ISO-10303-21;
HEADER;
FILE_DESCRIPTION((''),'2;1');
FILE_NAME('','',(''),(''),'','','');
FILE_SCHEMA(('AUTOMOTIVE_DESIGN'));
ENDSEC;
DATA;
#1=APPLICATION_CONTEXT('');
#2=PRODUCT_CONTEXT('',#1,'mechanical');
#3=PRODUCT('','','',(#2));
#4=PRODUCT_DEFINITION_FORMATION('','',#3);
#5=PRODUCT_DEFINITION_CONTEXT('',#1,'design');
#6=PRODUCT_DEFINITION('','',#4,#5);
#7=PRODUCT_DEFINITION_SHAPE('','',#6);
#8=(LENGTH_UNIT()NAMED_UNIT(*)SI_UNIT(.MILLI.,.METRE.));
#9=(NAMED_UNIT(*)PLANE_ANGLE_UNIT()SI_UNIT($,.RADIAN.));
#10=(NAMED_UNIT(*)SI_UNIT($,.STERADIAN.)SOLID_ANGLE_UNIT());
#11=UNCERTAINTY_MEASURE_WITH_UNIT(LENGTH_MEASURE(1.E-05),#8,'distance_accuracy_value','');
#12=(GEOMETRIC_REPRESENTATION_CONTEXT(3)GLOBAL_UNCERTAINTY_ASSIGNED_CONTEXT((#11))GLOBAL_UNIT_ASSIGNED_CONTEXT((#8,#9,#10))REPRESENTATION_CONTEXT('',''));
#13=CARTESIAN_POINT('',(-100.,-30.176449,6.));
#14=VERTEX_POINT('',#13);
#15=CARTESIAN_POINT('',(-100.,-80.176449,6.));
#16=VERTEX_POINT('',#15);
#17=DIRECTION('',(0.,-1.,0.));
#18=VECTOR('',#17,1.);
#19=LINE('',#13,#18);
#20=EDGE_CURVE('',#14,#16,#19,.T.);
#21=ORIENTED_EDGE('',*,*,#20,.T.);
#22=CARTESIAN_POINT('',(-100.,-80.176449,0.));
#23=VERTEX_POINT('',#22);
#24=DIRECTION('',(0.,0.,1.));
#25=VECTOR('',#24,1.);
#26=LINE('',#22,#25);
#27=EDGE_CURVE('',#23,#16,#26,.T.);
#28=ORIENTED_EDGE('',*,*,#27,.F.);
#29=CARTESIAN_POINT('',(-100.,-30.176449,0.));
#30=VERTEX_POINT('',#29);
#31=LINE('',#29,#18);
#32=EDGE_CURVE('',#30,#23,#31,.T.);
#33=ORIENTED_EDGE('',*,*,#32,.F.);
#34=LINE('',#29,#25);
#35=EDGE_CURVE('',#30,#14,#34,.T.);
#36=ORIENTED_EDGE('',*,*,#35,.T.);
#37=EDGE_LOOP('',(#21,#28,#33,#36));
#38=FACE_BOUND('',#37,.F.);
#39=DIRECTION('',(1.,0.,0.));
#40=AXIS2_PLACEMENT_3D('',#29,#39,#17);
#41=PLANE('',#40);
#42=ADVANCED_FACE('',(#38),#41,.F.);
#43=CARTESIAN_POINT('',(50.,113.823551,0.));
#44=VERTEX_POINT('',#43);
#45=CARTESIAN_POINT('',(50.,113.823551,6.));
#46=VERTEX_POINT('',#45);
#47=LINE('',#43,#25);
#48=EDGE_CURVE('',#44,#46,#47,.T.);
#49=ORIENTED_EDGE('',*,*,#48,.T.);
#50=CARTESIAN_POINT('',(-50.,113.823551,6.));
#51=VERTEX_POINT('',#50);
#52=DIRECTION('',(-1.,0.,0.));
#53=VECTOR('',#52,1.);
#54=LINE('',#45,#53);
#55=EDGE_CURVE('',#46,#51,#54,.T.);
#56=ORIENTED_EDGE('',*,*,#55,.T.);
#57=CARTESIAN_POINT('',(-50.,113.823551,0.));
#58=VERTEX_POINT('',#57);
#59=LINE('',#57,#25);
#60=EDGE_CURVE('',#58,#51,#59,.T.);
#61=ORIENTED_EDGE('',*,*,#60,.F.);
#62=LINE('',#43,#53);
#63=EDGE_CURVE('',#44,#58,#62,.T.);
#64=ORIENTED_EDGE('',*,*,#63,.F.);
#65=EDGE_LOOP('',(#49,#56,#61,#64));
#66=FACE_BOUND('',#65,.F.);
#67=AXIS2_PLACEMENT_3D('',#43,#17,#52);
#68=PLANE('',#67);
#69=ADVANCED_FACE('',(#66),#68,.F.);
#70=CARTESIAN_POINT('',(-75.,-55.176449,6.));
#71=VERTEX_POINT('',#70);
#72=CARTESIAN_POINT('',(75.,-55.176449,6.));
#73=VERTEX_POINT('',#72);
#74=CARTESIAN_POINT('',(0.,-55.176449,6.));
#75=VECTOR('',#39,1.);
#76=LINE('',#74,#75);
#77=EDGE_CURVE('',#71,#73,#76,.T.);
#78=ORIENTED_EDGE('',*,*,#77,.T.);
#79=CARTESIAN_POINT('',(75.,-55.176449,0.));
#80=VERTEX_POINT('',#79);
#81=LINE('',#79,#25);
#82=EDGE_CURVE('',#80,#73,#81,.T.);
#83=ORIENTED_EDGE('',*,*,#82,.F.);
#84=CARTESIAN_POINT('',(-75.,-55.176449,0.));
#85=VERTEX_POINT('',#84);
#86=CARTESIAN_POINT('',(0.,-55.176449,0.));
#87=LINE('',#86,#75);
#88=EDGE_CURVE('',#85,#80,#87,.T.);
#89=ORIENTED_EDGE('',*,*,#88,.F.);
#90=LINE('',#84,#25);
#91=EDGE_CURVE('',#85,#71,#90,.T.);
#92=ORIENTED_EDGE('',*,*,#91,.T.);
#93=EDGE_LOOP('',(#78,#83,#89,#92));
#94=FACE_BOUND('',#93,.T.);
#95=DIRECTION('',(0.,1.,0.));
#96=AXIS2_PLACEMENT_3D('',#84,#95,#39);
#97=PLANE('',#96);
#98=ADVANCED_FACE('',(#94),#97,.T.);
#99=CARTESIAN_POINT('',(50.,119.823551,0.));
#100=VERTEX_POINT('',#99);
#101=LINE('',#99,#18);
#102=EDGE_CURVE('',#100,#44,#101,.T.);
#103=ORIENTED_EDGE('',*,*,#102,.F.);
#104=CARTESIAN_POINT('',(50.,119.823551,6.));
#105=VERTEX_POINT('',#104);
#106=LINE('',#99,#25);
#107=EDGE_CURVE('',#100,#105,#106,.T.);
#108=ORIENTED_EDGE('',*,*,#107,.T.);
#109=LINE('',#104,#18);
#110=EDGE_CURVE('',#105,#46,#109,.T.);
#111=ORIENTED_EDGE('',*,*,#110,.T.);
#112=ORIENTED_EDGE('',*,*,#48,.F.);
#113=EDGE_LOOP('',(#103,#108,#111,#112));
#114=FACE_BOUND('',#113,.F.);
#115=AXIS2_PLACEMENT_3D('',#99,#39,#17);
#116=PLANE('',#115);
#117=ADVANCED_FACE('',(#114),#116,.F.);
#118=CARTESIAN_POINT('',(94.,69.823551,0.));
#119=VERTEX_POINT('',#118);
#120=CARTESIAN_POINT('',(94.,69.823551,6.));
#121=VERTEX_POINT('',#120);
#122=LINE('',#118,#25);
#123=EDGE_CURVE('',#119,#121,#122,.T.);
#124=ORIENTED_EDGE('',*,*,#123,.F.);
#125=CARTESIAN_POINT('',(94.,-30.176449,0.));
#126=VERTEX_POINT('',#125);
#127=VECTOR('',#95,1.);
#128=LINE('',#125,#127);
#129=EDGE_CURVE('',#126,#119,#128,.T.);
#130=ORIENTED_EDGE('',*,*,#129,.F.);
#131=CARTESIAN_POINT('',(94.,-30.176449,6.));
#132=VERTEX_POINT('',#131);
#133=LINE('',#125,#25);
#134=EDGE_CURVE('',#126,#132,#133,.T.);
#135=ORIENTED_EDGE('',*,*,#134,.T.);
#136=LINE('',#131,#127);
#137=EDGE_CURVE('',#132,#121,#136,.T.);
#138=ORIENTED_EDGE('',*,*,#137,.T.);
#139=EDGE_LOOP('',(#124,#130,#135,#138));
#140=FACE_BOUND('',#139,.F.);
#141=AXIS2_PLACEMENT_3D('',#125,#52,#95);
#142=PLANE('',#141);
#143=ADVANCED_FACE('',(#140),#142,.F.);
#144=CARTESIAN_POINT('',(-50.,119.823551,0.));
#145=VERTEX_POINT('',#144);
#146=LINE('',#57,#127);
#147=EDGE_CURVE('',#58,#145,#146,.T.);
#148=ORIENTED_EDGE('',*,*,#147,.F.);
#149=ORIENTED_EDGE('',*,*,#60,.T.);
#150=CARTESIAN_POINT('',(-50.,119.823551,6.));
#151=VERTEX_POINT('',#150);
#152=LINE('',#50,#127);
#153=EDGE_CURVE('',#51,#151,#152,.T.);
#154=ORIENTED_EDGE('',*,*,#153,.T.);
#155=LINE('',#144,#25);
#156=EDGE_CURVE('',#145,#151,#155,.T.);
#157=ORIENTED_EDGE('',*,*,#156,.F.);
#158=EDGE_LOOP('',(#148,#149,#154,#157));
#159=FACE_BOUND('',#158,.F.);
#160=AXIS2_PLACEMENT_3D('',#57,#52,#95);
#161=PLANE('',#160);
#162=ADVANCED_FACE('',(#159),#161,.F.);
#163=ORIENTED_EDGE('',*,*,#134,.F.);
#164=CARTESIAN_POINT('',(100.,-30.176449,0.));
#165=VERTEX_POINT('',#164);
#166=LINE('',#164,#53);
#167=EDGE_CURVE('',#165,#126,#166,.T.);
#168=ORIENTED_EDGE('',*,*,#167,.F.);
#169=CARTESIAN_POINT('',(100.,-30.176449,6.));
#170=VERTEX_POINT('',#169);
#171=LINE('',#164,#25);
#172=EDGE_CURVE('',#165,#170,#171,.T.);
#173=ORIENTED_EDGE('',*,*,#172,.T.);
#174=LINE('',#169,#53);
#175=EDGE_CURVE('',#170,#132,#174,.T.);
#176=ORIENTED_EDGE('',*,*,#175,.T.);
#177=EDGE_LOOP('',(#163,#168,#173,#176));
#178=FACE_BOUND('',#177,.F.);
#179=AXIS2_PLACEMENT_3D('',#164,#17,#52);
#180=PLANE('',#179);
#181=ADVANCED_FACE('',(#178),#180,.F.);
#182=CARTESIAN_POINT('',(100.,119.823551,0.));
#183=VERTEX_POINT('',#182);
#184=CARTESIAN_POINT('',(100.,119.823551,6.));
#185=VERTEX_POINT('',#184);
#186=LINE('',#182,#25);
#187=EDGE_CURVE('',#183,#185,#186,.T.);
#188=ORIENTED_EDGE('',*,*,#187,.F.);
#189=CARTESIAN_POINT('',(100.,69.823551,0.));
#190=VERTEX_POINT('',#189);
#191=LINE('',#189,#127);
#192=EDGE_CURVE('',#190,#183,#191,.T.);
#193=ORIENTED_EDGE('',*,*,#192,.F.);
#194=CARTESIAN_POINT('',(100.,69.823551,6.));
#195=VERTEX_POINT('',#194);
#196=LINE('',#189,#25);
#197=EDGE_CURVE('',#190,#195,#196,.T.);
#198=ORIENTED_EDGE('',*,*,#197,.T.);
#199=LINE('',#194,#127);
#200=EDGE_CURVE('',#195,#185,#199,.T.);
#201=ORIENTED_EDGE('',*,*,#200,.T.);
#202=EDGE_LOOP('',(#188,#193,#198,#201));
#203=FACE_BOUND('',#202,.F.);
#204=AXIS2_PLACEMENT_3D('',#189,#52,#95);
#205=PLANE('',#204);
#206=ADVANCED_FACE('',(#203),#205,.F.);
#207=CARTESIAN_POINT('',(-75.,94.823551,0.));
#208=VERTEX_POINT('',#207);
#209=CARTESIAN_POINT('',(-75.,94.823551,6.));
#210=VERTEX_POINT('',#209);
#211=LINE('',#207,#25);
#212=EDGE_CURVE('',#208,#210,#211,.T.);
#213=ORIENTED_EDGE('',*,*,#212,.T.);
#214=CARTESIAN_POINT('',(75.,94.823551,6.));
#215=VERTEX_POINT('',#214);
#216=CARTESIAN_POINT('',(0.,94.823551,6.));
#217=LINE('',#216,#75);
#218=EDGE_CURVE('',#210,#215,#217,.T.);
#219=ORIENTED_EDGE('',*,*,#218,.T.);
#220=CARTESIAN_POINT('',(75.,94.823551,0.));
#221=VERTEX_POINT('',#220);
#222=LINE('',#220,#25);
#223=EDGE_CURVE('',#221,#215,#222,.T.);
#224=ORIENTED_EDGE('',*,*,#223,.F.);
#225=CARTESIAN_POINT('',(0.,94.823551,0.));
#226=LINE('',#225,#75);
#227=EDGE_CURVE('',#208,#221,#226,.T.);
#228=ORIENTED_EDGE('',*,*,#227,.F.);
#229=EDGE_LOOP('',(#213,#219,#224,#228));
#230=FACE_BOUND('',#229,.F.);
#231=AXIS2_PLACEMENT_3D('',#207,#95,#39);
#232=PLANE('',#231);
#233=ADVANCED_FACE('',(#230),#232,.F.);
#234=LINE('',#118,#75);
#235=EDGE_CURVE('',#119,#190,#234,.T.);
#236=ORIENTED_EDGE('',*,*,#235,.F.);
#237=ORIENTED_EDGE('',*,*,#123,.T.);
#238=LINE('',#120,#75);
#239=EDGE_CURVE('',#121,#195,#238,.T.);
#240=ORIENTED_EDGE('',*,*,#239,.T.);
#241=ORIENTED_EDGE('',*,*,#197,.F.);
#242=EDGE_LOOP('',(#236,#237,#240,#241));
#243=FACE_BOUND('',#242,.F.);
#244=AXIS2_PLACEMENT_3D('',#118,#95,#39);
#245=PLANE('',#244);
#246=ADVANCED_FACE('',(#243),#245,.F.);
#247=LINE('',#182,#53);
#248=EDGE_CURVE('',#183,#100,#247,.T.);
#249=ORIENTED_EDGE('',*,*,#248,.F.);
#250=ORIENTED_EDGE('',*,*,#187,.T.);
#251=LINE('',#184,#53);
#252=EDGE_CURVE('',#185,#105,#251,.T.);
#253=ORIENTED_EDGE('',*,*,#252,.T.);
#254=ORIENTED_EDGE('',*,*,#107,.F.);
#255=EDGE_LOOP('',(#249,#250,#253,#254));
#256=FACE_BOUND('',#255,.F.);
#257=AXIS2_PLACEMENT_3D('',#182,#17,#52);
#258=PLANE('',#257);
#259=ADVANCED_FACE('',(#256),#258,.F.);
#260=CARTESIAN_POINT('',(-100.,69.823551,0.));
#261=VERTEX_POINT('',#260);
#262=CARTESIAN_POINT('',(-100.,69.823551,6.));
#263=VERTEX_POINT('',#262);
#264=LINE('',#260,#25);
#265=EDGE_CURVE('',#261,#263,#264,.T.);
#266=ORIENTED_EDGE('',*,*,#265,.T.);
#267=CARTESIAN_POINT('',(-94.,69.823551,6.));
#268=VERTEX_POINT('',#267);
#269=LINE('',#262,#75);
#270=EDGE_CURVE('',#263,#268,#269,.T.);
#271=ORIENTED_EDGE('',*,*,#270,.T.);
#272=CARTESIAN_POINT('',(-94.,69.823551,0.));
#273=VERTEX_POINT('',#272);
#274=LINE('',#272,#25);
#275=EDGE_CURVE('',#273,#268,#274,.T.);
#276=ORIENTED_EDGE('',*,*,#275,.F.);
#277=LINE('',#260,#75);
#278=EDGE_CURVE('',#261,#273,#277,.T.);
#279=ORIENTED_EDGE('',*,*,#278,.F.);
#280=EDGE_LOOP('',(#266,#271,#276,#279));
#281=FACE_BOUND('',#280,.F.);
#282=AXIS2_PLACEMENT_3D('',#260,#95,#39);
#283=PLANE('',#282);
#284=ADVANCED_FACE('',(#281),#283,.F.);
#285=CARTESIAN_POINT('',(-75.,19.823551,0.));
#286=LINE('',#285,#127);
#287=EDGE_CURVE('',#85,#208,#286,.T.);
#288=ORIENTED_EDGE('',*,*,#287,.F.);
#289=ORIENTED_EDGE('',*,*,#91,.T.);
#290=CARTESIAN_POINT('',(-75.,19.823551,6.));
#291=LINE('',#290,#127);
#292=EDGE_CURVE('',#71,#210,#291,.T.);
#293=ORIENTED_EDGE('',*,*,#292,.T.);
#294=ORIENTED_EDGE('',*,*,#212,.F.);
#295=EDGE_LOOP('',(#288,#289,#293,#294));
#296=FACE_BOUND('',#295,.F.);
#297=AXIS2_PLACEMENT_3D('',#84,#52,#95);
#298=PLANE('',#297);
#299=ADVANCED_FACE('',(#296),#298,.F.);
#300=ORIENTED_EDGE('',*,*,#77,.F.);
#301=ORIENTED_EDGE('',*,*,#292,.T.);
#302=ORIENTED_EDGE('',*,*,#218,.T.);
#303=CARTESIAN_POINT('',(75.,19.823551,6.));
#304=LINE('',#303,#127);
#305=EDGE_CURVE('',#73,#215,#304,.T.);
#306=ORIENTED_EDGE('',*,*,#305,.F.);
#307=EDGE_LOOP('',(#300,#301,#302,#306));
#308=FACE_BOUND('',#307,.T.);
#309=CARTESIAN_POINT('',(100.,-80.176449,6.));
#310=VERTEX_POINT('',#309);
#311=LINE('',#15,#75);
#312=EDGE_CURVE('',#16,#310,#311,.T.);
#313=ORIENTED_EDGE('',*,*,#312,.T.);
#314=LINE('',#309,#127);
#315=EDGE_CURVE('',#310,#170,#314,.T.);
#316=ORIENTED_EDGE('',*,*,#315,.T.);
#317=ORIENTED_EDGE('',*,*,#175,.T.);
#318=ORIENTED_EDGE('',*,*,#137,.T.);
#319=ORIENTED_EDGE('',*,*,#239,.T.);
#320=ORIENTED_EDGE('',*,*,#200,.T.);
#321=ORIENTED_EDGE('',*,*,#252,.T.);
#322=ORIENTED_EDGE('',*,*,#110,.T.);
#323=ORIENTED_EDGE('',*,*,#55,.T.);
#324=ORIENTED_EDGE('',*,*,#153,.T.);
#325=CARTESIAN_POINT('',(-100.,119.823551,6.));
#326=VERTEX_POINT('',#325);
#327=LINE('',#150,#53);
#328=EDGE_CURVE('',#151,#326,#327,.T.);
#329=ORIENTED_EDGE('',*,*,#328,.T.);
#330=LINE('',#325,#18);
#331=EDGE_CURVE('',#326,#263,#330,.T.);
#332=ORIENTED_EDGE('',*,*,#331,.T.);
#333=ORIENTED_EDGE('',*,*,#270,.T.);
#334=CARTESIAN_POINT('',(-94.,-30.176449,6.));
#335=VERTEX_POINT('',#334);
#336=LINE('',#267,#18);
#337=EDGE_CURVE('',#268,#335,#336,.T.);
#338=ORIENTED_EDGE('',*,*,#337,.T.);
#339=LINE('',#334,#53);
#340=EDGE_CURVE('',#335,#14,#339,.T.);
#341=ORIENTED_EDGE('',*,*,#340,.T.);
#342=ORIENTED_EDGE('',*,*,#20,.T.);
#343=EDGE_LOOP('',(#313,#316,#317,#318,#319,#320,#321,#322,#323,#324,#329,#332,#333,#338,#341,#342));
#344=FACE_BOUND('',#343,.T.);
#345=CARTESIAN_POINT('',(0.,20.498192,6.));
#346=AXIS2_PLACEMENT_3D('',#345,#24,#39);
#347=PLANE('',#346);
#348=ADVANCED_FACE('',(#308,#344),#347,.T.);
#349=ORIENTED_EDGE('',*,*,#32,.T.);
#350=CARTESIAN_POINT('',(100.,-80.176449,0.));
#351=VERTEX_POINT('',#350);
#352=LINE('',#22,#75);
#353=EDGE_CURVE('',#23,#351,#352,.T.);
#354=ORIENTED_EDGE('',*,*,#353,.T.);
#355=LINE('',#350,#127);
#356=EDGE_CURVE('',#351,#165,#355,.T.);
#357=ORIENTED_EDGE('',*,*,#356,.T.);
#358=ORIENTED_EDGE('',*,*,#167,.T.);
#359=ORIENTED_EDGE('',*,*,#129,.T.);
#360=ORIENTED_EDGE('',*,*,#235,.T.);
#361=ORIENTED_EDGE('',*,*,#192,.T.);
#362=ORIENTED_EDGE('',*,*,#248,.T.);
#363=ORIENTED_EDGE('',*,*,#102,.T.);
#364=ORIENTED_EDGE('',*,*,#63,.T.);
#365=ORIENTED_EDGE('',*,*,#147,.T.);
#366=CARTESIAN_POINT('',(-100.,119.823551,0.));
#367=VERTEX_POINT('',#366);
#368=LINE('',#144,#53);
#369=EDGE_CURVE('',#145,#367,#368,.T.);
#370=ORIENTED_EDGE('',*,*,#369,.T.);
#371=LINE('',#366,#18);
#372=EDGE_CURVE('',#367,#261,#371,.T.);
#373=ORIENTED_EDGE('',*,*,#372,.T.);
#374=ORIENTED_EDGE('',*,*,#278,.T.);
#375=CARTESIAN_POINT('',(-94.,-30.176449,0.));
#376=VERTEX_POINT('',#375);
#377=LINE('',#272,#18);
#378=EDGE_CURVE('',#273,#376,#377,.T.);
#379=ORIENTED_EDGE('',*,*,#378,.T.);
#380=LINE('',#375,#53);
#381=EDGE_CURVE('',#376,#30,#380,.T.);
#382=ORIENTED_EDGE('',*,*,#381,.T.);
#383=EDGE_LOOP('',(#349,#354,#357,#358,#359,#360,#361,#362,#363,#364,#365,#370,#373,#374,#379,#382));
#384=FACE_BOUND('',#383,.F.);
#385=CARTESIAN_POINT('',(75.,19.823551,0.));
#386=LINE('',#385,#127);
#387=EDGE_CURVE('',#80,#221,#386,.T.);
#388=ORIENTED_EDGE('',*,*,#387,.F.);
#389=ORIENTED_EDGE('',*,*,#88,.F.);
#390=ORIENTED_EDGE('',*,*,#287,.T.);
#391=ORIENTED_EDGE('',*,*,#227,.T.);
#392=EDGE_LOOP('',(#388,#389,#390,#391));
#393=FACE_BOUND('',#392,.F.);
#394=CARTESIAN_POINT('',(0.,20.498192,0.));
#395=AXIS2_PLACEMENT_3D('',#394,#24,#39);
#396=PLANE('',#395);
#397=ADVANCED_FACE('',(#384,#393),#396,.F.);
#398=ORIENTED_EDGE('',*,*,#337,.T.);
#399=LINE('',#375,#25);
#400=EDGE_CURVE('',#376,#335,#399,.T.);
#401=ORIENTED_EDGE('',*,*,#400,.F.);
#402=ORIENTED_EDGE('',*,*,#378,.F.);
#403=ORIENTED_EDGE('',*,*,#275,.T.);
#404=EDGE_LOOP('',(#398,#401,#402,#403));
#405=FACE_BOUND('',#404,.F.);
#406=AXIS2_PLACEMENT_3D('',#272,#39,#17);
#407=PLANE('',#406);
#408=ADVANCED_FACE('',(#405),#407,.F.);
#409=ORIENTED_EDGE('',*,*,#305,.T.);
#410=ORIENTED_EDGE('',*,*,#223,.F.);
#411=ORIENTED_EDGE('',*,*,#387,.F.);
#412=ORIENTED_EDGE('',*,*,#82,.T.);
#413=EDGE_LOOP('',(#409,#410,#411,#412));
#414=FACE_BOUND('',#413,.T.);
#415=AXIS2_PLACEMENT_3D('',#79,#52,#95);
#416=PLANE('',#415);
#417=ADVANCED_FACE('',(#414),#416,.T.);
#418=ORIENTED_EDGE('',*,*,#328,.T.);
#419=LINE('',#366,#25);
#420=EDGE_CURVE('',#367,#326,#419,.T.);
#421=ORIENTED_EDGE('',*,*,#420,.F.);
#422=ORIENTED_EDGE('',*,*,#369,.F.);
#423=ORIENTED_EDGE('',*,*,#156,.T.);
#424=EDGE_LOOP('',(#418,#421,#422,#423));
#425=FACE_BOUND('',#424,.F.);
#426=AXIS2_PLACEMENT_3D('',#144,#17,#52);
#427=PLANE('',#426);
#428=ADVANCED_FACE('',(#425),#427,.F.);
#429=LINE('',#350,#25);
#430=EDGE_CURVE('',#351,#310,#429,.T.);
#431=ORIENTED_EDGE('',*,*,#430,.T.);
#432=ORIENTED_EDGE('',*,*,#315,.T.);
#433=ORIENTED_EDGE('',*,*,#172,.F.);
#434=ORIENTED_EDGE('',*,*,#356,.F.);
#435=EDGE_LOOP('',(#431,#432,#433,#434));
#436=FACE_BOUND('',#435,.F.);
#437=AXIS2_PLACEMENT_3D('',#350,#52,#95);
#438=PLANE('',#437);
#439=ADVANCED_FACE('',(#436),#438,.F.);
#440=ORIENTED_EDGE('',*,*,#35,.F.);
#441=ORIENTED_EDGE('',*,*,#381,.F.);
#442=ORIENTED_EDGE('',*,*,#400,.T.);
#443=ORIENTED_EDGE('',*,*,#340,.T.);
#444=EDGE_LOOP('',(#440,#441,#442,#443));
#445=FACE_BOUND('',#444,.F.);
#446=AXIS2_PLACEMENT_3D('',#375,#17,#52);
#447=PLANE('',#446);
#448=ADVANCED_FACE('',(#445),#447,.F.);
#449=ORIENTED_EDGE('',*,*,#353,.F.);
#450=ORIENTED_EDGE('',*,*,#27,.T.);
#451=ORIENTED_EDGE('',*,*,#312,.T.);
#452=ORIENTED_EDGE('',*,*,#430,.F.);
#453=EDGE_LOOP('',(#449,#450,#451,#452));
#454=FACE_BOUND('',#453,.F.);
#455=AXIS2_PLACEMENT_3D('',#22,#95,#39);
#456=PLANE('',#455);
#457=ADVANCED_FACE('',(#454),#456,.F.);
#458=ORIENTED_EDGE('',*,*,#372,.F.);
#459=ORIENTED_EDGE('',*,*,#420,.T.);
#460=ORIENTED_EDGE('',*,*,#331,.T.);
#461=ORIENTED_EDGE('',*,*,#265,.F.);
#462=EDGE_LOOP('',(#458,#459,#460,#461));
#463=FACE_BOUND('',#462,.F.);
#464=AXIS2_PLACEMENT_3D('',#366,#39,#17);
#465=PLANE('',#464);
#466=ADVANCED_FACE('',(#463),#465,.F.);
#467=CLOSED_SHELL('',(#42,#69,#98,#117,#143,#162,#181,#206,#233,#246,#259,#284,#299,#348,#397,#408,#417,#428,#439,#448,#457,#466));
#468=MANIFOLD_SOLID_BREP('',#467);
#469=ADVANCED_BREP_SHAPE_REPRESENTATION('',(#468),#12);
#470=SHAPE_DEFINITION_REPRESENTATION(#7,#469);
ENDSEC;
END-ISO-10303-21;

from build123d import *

# Parameters (mm, degrees)
F0_W     = 150
F0_H     = 150
F1_DEPTH = 6


with BuildPart() as f1:
    # F0 (on Top) → F1 (new body)
    with BuildSketch(Plane.XY):
        Polygon((-50, 119.823551), (-100, 119.823551), (-100, 69.823551), (-94, 69.823551), (-94, -30.176449), (-100, -30.176449), (-100, -80.176449), (100, -80.176449), (100, -30.176449), (94, -30.176449), (94, 69.823551), (100, 69.823551), (100, 119.823551), (50, 119.823551), (50, 113.823551), (-50, 113.823551), align=None)
        with Locations((0, 19.823551)):
            Rectangle(F0_W, F0_H, mode=Mode.SUBTRACT)
    extrude(amount=F1_DEPTH)


solid = f1.part
